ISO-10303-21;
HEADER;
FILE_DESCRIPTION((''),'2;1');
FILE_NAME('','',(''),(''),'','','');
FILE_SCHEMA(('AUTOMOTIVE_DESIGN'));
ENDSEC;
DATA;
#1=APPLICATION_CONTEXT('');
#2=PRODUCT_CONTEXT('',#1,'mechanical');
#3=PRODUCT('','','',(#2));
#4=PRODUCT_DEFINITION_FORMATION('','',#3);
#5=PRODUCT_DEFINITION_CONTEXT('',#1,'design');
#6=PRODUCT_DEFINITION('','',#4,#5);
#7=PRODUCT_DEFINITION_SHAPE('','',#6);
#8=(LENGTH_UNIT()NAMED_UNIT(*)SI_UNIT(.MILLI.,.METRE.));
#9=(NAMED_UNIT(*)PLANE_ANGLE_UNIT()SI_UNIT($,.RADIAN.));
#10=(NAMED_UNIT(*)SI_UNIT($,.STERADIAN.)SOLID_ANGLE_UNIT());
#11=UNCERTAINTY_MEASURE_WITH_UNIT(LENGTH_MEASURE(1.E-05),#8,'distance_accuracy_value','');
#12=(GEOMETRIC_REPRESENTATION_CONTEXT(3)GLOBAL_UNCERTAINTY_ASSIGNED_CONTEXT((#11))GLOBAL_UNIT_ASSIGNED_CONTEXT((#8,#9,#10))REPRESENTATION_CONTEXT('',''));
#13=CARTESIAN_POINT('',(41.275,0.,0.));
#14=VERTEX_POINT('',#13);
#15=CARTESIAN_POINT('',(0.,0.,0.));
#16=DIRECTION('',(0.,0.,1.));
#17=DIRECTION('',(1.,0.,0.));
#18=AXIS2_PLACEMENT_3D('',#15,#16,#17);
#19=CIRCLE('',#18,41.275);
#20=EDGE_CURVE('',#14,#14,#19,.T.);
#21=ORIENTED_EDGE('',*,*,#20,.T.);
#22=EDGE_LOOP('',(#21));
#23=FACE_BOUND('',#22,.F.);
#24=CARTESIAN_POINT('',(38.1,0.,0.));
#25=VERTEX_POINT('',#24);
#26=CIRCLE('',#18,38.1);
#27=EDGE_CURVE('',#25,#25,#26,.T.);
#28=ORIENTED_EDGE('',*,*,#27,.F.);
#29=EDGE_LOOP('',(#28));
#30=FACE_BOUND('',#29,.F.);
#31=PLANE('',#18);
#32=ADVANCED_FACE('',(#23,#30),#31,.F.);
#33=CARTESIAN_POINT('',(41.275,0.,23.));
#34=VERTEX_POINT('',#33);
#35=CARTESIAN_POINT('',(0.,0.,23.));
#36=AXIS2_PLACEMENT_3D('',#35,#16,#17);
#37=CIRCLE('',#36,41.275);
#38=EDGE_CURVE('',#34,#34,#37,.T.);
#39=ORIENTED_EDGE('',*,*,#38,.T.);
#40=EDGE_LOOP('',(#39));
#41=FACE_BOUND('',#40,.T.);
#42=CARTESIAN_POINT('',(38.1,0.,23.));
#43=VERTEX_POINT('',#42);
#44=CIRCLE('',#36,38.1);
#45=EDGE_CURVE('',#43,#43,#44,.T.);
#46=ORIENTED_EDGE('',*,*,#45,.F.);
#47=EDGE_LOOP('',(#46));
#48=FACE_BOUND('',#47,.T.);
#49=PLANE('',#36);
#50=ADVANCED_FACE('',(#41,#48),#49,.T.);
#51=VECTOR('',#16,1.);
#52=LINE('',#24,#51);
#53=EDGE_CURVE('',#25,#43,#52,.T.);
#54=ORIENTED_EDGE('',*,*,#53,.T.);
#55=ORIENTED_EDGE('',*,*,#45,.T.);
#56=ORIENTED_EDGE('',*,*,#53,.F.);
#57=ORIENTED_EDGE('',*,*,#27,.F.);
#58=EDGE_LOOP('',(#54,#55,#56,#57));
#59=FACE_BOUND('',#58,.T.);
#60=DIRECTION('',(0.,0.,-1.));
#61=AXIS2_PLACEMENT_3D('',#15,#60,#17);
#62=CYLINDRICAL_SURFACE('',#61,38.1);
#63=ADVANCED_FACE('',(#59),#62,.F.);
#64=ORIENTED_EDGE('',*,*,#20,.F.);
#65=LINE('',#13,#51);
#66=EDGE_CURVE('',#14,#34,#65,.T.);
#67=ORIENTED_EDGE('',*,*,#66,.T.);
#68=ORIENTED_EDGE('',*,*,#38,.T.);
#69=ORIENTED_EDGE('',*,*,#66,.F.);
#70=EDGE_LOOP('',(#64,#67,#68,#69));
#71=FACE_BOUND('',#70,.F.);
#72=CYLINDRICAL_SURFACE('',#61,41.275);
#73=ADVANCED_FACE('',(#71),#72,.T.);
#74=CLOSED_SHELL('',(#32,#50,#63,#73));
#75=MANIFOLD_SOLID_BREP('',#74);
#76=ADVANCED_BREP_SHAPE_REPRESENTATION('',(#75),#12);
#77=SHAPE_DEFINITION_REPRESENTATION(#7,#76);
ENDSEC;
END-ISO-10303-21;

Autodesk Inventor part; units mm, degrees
ref_plane "YZ Plane" through (0, 0, 0) normal (1, 0, 0) x (0, 1, 0)
ref_plane "XZ Plane" through (0, 0, 0) normal (0, 1, 0) x (-1, 0, 0)
ref_plane "XY Plane" through (0, 0, 0) normal (0, 0, 1) x (1, 0, 0)
sketch "Sketch1" plane through (0, 0, 0) normal (0, 0, 1) x (1, 0, 0)
  circle A0 centre (0, 0) radius 38.1
  circle A1 centre (0, 0) radius 41.275
  dimension "d0" = 76.2
  dimension "d1" = 82.55
extrude "Extrusion1" add sketch "Sketch1" along normal blind 23
properties part number "OpenROV 2_3 Dev Duct" material "Polycarbonate, Clear"
